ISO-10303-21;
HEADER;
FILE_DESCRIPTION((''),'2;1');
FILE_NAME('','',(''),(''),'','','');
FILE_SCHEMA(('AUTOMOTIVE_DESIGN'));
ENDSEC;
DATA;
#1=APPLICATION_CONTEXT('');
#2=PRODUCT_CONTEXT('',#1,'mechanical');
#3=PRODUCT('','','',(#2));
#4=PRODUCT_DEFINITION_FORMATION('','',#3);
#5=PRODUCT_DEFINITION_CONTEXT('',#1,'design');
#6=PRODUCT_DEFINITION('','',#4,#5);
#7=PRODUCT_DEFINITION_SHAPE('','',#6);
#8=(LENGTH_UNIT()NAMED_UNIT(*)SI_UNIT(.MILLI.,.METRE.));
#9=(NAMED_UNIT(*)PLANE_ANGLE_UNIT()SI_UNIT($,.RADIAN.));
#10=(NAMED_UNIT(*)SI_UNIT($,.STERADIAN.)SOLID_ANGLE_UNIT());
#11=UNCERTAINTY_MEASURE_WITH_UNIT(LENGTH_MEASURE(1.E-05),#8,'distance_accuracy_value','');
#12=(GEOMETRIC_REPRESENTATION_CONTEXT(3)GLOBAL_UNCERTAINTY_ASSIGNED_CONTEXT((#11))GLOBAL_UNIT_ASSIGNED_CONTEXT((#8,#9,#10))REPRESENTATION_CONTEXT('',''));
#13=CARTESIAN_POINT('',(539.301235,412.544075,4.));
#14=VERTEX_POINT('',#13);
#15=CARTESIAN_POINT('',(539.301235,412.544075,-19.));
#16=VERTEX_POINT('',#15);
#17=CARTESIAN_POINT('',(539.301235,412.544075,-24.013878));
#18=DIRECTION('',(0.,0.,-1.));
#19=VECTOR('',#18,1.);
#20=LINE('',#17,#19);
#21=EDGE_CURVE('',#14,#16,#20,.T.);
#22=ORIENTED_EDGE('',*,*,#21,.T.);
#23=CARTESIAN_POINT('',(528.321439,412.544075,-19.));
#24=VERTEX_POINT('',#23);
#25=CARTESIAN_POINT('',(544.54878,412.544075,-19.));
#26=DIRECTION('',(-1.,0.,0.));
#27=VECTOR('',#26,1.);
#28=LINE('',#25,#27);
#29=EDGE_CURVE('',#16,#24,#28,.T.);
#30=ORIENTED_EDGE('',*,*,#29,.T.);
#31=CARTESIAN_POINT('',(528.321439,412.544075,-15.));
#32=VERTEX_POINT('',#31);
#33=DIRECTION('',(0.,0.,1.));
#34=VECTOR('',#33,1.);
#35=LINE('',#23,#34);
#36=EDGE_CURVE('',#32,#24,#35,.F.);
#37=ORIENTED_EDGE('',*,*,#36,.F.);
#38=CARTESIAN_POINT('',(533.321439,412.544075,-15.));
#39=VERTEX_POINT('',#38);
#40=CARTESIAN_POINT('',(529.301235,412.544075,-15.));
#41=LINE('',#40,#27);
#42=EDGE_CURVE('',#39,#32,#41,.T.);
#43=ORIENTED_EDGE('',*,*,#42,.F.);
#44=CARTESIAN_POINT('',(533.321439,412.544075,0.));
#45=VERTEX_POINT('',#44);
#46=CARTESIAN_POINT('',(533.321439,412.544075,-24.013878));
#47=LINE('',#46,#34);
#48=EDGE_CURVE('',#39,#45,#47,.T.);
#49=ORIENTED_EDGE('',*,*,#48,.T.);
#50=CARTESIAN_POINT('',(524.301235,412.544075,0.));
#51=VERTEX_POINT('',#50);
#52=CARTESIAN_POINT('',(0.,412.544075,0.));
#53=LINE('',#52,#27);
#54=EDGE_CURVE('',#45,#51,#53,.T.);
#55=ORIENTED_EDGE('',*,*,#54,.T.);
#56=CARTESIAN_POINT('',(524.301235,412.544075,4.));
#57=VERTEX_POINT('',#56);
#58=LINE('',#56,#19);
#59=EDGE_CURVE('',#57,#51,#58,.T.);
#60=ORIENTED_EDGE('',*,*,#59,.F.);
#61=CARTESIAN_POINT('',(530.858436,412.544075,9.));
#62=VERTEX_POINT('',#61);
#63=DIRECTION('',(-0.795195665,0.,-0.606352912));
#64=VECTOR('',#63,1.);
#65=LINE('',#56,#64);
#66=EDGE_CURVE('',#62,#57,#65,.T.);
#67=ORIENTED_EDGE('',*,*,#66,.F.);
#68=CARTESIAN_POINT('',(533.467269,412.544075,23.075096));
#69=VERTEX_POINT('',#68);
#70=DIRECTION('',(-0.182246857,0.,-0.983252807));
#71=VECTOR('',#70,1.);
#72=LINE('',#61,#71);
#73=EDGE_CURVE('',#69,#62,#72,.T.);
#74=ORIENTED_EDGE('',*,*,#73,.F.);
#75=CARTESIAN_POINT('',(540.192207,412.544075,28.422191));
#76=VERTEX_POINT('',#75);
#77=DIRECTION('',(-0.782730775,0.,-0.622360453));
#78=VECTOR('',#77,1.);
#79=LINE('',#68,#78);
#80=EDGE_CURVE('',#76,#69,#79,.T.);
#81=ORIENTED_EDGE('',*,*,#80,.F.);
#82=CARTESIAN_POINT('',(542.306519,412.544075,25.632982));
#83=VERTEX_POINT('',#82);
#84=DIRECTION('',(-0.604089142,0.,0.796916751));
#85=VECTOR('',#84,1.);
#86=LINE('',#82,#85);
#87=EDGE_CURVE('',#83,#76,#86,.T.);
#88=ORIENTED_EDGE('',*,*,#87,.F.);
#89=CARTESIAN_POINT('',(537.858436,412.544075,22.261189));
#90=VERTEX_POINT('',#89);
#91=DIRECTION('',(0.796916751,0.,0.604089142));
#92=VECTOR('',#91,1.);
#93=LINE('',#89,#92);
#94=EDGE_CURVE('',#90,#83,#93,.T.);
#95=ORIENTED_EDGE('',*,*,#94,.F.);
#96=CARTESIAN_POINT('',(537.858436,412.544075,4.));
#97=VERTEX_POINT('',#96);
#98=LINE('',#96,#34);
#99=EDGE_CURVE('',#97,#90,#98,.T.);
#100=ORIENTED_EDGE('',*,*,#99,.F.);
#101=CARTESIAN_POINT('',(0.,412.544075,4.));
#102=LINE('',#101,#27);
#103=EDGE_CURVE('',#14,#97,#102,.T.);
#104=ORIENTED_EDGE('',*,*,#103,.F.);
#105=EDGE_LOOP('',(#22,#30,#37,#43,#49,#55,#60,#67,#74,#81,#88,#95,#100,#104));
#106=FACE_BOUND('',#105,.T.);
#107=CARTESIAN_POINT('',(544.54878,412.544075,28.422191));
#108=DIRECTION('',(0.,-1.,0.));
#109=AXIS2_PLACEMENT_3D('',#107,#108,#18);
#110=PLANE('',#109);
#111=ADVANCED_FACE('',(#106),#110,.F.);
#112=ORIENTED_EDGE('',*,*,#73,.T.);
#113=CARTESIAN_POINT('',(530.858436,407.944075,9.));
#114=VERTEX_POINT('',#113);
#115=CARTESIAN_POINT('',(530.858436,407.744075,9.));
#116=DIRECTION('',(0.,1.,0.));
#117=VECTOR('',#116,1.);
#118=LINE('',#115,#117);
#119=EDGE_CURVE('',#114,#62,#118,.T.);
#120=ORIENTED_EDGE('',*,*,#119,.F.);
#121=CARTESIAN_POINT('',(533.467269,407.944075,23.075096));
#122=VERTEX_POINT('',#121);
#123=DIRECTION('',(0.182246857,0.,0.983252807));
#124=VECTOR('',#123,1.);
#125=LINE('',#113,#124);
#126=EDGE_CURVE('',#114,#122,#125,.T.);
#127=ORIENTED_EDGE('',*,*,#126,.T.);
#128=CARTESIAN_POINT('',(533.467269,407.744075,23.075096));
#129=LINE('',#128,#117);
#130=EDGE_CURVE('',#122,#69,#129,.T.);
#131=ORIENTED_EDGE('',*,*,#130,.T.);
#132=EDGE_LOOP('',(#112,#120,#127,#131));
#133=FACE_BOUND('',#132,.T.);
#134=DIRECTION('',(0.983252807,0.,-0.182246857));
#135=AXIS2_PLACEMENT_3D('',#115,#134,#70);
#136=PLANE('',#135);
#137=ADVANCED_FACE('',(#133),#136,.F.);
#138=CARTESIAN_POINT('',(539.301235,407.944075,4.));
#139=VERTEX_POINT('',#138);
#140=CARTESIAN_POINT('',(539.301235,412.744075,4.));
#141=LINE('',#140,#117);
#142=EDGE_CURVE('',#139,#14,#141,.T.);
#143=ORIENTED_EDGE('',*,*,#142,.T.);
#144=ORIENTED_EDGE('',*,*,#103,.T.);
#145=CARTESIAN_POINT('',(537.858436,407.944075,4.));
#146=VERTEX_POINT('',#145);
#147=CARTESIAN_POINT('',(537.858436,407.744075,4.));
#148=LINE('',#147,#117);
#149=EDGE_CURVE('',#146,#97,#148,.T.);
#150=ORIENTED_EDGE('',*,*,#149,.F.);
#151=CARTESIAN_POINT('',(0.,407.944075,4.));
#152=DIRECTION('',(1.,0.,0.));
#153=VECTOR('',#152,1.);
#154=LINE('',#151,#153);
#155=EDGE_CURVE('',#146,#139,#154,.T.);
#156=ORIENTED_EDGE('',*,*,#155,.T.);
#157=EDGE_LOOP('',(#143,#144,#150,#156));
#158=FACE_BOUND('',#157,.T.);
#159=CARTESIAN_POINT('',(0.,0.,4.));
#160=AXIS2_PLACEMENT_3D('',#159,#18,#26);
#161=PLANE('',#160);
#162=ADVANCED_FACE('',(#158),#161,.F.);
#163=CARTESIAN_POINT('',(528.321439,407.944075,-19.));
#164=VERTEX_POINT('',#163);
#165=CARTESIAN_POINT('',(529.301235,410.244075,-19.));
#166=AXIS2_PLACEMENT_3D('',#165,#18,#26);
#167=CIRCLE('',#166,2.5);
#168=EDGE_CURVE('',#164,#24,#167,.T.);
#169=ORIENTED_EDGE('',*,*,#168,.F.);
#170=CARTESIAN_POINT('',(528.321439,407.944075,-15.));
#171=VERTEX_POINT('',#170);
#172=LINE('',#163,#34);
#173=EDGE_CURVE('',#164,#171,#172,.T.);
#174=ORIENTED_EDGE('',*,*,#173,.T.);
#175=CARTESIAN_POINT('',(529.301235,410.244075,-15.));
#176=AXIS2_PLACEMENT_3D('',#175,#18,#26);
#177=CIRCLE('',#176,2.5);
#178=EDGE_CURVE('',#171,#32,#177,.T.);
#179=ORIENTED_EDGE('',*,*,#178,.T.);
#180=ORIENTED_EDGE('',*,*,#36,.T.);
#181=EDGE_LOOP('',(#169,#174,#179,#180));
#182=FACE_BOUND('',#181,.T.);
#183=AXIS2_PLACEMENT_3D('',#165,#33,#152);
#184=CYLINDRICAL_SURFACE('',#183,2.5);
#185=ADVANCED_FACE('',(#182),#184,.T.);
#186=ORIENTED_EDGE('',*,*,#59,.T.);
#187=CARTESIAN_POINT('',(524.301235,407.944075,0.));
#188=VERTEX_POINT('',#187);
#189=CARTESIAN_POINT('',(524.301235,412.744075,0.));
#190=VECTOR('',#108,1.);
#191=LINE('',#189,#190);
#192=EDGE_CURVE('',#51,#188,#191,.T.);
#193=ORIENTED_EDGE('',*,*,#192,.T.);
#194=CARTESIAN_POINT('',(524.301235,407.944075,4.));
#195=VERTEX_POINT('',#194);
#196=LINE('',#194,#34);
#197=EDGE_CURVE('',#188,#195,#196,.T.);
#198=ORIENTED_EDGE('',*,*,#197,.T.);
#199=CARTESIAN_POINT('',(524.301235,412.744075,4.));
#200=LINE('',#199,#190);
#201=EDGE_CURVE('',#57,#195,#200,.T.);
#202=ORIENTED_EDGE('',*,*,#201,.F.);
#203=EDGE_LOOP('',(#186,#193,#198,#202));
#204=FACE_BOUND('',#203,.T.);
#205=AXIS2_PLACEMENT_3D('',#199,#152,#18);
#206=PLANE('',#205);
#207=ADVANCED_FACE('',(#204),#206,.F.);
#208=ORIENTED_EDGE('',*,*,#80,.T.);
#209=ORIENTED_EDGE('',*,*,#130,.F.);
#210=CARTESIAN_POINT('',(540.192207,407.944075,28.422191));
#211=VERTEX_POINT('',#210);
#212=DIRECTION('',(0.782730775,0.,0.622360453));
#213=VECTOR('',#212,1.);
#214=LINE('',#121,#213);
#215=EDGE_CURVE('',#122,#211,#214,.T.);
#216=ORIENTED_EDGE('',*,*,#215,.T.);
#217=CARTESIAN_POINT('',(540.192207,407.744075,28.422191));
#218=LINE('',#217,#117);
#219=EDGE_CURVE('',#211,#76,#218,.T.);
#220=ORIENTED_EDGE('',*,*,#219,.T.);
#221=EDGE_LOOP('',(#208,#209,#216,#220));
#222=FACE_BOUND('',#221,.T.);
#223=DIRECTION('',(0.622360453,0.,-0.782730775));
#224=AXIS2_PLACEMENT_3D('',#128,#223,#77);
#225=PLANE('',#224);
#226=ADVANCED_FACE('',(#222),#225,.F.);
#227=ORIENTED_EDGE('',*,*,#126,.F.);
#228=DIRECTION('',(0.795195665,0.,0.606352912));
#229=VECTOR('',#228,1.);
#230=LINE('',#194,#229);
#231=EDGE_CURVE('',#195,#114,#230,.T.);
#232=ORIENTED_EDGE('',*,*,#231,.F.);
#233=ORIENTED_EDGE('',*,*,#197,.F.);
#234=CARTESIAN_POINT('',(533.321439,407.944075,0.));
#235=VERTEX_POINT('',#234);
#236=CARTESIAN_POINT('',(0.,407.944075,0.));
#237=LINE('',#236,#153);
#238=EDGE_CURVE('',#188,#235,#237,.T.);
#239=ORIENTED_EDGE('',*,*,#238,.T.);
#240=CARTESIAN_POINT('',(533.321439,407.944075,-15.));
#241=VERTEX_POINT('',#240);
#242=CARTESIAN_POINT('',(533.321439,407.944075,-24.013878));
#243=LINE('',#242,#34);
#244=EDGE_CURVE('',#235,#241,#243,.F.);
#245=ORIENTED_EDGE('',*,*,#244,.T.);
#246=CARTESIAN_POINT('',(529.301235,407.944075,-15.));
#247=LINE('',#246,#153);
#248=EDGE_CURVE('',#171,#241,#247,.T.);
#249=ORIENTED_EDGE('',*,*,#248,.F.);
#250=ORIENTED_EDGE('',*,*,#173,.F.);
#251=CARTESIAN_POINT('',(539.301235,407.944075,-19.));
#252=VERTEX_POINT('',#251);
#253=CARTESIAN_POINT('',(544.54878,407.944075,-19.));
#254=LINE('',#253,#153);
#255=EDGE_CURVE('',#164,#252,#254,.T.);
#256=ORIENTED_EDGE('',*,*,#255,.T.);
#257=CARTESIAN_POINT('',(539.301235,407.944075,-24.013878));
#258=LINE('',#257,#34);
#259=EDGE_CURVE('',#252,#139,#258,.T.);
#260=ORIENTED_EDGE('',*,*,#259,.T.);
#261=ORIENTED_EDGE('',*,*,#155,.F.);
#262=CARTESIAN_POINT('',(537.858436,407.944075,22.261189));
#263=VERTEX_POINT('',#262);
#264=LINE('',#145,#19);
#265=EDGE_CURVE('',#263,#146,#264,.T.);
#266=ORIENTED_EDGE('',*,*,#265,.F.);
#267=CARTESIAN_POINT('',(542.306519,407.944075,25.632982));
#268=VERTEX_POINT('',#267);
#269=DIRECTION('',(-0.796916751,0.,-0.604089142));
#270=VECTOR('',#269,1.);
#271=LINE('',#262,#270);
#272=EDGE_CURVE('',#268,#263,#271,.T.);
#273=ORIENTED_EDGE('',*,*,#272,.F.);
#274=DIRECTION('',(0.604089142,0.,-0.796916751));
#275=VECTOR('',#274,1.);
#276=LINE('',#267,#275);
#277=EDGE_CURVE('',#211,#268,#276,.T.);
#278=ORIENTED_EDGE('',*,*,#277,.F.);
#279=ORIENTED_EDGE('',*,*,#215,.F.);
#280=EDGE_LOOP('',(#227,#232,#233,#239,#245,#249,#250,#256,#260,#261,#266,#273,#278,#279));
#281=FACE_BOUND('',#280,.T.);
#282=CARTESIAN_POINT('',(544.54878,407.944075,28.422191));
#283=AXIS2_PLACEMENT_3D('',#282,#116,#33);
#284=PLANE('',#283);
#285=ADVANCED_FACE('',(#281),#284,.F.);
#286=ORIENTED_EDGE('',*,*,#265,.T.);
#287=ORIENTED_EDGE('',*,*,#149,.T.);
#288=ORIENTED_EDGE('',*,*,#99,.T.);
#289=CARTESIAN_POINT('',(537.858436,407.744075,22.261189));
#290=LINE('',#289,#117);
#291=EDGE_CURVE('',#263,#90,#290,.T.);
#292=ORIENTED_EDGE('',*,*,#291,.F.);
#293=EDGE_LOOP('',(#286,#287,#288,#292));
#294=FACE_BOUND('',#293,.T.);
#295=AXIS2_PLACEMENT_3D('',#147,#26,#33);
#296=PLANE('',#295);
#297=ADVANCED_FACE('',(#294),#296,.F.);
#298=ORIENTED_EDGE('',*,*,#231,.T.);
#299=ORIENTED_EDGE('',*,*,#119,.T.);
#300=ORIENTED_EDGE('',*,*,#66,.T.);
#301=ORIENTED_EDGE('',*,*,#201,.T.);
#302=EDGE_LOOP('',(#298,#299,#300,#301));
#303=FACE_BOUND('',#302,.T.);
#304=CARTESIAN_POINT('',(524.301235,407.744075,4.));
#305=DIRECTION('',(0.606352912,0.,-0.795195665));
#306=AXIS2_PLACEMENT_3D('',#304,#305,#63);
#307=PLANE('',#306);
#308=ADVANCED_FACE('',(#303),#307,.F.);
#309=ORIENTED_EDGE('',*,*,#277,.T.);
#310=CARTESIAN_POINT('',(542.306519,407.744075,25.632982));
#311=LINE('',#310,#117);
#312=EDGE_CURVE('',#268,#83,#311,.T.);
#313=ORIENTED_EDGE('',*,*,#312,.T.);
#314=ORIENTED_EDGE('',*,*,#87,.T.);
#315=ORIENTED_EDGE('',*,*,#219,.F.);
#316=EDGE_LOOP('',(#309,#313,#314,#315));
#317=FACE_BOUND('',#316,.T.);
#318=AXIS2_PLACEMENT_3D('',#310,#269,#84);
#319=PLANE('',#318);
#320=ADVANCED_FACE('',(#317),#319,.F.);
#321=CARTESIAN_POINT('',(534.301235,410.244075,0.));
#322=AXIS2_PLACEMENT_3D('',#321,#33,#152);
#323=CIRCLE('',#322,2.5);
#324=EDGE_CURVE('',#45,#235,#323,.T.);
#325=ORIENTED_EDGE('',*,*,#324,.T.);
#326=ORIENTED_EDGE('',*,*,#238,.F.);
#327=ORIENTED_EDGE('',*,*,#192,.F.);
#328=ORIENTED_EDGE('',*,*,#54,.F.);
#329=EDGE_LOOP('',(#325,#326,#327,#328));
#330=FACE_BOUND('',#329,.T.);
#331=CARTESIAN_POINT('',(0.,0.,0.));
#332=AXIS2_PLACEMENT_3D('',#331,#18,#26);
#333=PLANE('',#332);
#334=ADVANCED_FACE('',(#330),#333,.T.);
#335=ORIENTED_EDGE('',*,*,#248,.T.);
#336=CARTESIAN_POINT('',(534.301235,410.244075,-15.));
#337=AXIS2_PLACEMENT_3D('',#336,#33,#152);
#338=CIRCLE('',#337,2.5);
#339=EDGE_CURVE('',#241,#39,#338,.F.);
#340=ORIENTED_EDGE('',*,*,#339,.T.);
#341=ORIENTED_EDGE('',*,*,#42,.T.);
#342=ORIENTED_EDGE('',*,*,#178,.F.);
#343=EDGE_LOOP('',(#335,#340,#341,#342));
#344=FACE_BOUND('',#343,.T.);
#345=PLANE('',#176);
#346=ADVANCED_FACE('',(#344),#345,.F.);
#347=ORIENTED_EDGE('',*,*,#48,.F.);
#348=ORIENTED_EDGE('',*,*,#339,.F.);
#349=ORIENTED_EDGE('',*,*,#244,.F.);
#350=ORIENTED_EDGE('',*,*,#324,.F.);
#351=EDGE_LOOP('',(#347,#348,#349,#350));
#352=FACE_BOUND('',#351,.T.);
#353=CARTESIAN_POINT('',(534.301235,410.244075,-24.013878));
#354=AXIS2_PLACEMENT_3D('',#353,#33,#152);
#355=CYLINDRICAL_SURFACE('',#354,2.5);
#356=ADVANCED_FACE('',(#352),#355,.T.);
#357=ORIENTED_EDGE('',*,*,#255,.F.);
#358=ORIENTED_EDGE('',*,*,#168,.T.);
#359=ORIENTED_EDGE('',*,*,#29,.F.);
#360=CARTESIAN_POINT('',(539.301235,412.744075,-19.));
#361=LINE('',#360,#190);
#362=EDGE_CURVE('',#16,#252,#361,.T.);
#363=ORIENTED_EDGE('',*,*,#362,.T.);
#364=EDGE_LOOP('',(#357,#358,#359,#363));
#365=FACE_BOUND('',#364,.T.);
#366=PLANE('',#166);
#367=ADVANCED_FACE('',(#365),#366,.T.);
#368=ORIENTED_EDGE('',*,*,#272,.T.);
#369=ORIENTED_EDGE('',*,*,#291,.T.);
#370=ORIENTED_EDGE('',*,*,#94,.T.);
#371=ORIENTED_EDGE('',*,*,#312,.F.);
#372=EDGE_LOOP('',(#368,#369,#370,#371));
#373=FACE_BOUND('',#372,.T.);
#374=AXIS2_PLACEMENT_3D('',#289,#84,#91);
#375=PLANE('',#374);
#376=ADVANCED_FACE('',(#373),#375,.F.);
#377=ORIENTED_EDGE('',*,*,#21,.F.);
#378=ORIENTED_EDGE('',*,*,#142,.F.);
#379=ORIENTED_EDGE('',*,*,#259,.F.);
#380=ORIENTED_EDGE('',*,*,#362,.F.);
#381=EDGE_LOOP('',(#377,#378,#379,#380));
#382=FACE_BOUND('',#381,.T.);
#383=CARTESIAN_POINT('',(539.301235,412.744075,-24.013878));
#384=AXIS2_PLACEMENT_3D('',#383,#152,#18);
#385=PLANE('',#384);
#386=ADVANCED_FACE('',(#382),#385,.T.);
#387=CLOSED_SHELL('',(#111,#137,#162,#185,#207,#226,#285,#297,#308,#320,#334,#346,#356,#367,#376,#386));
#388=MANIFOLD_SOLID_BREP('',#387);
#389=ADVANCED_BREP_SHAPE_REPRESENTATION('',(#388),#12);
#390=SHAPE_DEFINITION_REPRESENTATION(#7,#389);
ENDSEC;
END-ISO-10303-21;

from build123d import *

# Parameters (mm, degrees)
EXTRUDE_1_DEPTH     = 15
EXTRUDE_2_DEPTH     = 4
SKETCH_3_W          = 15
SKETCH_3_H          = 5
EXTRUDE_3_DEPTH     = 4
EXTRUDE_4_DEPTH     = 2.5
SKETCH_5_W          = 22.090290278
SKETCH_5_H          = 0.2
CUT_EXTRUDE_1_DEPTH = 48.422190659


with BuildPart() as part:
    # 草图1 → 凸台-拉伸1 (new body)
    with BuildSketch(Plane.XY):
        with BuildLine():
            Line((539.301234579, 412.744075086), (539.301234579, 407.744075086))
            Line((539.301234579, 407.744075086), (534.301234579, 407.744075086))
            ThreePointArc((534.301234579, 407.744075086), (531.801234579, 410.244075086), (534.301234579, 412.744075086))
            Line((534.301234579, 412.744075086), (539.301234579, 412.744075086))
        make_face()
    extrude(amount=-EXTRUDE_1_DEPTH)

    # 草图2 → 凸台-拉伸2 (add)
    with BuildSketch(Plane(origin=(0, 0, -15), x_dir=(-1, 0, 0), z_dir=(0, 0, -1))):
        with BuildLine():
            Line((-539.301234579, 412.744075086), (-529.301234579, 412.744075086))
            ThreePointArc((-529.301234579, 412.744075086), (-526.801234579, 410.244075086), (-529.301234579, 407.744075086))
            Line((-529.301234579, 407.744075086), (-539.301234579, 407.744075086))
            Line((-539.301234579, 407.744075086), (-539.301234579, 412.744075086))
        make_face()
    extrude(amount=EXTRUDE_2_DEPTH)

    # 草图3 → 凸台-拉伸3 (add)
    with BuildSketch(Plane.XY):
        with Locations((531.801234579, 410.244075086)):
            Rectangle(SKETCH_3_W, SKETCH_3_H)
    extrude(amount=EXTRUDE_3_DEPTH)

    # 草图4 → 凸台-拉伸4 (add, symmetric)
    with BuildSketch(Plane(origin=(0, 410.244075086, 0), x_dir=(-1, 0, 0), z_dir=(0, -1, 0))):
        Polygon((-524.301234579, -4), (-537.858436246, -4), (-537.858436246, -22.261188512), (-542.306519396, -25.63298203), (-540.192207397, -28.422190659), (-533.467268804, -23.075095635), (-530.858436246, -9), align=None)
    extrude(amount=EXTRUDE_4_DEPTH, both=True)

    # 草图5 → 切除-拉伸1 (cut, through all)
    with BuildSketch(Plane(origin=(0, 0, -19), x_dir=(-1, 0, 0), z_dir=(0, 0, -1))):
        with Locations((-533.503634439, 412.644075086)):
            Rectangle(SKETCH_5_W, SKETCH_5_H)
        with Locations((-533.503634439, 407.844075086)):
            Rectangle(SKETCH_5_W, SKETCH_5_H)
    extrude(amount=-CUT_EXTRUDE_1_DEPTH, mode=Mode.SUBTRACT)


solid = part.part
